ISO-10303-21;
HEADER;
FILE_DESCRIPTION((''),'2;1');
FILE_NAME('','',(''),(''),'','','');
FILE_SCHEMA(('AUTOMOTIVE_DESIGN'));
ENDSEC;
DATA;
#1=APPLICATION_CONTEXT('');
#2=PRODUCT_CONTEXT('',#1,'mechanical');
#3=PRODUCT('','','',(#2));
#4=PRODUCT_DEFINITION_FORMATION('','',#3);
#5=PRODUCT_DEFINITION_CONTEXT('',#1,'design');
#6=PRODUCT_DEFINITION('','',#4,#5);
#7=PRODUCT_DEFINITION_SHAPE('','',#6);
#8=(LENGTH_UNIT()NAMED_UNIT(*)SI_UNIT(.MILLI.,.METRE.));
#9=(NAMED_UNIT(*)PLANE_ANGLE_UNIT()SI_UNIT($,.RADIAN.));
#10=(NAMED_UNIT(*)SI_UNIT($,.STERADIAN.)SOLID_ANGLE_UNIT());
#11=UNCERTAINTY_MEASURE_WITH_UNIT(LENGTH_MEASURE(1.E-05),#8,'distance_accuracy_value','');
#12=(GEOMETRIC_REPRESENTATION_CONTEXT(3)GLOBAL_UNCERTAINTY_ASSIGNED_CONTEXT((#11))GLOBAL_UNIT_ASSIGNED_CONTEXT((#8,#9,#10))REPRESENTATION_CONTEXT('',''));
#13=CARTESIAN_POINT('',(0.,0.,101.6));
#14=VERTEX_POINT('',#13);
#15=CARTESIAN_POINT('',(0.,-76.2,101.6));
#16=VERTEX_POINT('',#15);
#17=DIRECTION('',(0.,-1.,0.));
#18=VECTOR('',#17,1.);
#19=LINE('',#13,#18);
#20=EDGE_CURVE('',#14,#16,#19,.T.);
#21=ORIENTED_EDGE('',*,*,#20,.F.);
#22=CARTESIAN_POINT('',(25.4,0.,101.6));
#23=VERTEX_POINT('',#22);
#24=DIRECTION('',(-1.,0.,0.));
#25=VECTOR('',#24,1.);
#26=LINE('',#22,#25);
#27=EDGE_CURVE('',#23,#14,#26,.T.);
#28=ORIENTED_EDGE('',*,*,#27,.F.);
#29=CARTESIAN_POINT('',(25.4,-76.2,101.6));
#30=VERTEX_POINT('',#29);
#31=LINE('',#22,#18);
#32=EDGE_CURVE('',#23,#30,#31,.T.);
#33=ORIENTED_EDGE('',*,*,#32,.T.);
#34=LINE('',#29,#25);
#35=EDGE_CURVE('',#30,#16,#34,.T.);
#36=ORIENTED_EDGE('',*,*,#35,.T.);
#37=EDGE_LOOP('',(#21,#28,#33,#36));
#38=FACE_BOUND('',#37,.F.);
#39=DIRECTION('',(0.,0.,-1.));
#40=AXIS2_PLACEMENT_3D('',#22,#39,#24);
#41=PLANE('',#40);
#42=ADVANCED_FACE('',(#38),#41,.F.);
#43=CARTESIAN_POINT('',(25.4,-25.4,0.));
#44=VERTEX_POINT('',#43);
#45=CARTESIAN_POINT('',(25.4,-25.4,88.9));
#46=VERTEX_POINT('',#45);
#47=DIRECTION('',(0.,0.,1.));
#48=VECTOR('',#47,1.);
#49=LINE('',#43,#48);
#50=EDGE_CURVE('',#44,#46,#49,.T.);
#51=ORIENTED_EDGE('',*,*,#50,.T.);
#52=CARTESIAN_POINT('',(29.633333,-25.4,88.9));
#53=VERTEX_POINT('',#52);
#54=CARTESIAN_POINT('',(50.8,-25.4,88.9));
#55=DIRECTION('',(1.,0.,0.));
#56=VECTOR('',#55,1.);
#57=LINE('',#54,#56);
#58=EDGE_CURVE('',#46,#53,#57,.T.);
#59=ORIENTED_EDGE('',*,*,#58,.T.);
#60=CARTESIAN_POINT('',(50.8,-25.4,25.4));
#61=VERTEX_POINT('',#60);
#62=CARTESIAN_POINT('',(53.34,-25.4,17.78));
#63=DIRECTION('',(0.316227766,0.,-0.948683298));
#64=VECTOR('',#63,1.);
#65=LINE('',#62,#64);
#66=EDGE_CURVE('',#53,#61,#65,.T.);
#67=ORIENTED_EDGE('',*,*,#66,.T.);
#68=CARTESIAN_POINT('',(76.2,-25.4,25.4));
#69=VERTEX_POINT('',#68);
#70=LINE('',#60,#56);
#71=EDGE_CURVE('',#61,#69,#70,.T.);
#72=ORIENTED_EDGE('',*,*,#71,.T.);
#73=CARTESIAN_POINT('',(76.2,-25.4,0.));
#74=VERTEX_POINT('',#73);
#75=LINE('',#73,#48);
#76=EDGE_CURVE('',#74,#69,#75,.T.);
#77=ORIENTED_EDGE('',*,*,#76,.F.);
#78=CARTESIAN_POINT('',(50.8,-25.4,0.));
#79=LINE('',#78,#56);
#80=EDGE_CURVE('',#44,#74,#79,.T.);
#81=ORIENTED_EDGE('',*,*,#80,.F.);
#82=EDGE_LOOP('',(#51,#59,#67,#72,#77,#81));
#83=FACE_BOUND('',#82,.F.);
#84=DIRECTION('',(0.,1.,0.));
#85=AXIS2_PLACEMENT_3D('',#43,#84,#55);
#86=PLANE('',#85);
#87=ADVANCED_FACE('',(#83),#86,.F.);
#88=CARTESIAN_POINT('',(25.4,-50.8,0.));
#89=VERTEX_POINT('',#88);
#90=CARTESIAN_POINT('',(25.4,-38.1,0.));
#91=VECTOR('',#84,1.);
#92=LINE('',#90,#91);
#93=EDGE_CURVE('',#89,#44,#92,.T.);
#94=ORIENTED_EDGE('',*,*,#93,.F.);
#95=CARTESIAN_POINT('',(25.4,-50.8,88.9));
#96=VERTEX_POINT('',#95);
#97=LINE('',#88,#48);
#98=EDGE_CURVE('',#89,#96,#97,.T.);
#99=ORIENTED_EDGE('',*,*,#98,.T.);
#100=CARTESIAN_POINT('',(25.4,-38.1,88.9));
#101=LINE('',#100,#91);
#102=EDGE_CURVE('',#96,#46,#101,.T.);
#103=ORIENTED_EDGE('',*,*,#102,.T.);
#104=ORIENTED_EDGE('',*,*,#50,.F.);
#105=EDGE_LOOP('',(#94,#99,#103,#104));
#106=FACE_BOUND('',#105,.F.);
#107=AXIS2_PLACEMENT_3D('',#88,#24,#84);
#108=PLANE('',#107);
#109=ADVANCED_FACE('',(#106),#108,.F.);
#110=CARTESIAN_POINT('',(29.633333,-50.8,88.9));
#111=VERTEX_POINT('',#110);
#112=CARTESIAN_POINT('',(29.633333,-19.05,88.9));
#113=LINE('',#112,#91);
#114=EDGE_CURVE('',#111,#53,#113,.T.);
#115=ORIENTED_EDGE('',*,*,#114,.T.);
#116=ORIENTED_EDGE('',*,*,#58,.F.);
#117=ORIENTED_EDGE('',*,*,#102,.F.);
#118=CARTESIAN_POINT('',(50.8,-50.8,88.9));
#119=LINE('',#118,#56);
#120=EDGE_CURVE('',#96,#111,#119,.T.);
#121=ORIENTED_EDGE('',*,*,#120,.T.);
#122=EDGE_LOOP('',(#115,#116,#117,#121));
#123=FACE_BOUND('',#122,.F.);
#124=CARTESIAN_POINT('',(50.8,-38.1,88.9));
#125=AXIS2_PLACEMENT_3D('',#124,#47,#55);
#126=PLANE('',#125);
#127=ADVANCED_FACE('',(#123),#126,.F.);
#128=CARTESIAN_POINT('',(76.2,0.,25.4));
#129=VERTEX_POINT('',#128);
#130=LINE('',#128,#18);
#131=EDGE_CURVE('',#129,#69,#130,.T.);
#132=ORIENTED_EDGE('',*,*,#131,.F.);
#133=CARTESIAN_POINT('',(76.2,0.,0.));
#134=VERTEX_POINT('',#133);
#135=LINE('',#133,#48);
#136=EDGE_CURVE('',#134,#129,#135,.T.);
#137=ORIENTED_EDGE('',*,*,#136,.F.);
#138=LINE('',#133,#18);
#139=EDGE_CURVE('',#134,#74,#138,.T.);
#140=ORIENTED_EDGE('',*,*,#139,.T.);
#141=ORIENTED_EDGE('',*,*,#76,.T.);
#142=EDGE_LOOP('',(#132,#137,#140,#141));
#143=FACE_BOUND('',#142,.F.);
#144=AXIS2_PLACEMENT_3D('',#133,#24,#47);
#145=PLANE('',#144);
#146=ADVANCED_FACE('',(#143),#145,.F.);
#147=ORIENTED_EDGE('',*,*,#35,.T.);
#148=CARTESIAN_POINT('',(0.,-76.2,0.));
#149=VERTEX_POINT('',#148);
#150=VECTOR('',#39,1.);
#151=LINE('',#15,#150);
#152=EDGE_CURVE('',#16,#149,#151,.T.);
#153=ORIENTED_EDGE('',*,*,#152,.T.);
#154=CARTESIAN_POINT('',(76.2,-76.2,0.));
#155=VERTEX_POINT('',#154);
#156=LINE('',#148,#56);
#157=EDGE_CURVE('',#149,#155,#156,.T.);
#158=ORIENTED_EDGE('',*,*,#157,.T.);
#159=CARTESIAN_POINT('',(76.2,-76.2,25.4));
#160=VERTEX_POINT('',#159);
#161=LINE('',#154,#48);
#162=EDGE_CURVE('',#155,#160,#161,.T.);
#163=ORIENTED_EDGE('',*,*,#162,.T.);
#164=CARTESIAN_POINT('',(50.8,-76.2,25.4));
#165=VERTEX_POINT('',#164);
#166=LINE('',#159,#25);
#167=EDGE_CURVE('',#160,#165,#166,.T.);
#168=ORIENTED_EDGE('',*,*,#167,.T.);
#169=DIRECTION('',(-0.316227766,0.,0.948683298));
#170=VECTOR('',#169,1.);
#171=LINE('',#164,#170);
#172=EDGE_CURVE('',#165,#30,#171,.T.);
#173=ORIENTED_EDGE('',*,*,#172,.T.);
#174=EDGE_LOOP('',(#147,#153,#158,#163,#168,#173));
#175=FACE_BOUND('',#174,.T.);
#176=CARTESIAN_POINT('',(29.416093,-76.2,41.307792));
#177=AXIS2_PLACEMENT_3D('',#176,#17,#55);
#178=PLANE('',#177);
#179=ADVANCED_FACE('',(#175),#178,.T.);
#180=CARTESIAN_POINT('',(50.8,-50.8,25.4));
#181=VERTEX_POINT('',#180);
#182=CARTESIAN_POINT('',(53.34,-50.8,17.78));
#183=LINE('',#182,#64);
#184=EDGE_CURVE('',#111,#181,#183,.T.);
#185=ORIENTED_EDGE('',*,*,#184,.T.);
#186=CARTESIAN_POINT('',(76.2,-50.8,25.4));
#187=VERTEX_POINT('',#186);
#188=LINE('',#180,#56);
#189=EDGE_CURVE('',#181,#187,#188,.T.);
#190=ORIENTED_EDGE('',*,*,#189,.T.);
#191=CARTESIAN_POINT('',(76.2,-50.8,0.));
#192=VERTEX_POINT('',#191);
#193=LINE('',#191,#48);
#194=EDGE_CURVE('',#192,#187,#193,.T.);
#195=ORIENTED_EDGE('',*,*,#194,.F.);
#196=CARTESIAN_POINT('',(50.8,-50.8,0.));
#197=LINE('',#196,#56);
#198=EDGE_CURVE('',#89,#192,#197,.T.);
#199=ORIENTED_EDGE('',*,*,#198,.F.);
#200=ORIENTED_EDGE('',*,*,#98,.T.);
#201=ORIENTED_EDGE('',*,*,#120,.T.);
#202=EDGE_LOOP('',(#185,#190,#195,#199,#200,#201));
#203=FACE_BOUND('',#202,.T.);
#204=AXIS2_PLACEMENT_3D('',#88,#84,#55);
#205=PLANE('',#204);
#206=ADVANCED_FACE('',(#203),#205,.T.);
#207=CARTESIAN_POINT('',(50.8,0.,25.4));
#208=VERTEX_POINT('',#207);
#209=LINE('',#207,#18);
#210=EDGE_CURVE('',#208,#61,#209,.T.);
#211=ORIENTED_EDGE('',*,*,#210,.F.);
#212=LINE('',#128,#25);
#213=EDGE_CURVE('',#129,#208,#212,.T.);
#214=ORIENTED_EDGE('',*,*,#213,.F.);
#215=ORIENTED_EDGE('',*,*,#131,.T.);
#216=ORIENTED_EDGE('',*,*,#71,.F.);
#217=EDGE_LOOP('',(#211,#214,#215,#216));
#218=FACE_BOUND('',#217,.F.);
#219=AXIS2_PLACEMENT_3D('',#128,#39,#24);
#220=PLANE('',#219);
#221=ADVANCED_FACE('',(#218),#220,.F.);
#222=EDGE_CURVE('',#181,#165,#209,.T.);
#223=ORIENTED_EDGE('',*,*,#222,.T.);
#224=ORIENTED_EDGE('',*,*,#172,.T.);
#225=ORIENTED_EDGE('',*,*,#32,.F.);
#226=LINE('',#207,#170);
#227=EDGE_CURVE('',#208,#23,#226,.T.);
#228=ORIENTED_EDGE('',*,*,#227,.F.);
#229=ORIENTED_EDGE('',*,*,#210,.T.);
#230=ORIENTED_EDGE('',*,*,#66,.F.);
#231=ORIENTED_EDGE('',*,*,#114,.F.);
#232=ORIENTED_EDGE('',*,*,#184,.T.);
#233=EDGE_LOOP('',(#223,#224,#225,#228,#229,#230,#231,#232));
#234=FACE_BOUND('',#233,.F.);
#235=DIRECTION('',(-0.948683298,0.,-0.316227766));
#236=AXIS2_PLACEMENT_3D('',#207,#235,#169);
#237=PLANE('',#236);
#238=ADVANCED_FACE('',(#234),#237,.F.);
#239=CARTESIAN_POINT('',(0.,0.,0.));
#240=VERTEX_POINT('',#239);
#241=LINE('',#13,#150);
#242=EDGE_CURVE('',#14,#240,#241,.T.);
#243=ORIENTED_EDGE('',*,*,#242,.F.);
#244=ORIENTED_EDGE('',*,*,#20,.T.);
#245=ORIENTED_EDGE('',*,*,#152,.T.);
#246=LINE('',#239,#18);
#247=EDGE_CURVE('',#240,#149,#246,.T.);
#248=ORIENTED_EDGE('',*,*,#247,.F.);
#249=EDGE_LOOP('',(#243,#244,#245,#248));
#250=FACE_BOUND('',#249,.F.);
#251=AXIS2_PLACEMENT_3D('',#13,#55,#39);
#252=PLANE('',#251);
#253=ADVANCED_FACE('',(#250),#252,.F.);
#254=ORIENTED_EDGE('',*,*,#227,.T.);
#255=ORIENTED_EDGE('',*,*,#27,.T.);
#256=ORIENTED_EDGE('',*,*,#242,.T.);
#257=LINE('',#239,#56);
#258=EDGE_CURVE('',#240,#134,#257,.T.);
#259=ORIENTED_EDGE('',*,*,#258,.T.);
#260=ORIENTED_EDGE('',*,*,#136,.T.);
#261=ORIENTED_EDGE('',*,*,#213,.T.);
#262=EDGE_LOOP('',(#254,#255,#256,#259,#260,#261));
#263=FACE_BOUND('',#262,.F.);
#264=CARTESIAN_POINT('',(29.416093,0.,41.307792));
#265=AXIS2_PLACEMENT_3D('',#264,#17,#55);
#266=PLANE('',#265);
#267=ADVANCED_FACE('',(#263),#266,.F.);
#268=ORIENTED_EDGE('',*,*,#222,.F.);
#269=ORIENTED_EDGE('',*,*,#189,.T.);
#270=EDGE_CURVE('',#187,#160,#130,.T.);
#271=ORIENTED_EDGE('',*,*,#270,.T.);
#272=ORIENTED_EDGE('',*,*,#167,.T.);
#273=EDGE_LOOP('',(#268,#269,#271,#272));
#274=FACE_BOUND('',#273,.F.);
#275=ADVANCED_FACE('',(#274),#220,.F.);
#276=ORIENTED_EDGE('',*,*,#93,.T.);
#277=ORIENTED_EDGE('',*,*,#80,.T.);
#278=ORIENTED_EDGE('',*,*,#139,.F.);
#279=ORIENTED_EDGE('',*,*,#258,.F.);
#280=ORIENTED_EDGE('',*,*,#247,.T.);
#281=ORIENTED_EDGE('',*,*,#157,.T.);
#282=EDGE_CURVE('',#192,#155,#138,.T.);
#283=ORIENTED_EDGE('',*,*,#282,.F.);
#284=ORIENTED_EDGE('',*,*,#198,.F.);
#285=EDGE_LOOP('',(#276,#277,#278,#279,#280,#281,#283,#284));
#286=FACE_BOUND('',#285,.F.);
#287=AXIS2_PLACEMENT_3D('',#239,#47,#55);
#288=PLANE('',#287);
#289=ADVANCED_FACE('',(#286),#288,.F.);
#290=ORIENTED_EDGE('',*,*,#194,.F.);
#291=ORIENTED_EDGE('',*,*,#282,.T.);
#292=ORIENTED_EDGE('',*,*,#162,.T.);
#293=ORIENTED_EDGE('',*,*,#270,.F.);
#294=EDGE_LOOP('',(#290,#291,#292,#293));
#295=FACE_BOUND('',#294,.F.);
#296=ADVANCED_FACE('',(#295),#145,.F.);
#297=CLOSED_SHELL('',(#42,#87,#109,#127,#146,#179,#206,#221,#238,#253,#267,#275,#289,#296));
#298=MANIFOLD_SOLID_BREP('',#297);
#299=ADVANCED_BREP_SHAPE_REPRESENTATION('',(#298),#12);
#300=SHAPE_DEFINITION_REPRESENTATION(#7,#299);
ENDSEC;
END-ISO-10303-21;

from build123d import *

# Parameters (mm, degrees)
F1_DEPTH = 76.2
F2_W     = 50.8
F2_H     = 25.4
F3_DEPTH = 88.9


with BuildPart() as f1:
    # F0 (on Front) → F1 (new body)
    with BuildSketch(Plane.XZ):
        Polygon((25.4, 101.6), (0, 101.6), (0, 0), (76.2, 0), (76.2, 25.4), (50.8, 25.4), align=None)
    extrude(amount=F1_DEPTH)

    # F2 (on Top) → F3 (cut)
    with BuildSketch(Plane.XY):
        with Locations((50.8, -38.1)):
            Rectangle(F2_W, F2_H)
    extrude(amount=F3_DEPTH, mode=Mode.SUBTRACT)


solid = f1.part
